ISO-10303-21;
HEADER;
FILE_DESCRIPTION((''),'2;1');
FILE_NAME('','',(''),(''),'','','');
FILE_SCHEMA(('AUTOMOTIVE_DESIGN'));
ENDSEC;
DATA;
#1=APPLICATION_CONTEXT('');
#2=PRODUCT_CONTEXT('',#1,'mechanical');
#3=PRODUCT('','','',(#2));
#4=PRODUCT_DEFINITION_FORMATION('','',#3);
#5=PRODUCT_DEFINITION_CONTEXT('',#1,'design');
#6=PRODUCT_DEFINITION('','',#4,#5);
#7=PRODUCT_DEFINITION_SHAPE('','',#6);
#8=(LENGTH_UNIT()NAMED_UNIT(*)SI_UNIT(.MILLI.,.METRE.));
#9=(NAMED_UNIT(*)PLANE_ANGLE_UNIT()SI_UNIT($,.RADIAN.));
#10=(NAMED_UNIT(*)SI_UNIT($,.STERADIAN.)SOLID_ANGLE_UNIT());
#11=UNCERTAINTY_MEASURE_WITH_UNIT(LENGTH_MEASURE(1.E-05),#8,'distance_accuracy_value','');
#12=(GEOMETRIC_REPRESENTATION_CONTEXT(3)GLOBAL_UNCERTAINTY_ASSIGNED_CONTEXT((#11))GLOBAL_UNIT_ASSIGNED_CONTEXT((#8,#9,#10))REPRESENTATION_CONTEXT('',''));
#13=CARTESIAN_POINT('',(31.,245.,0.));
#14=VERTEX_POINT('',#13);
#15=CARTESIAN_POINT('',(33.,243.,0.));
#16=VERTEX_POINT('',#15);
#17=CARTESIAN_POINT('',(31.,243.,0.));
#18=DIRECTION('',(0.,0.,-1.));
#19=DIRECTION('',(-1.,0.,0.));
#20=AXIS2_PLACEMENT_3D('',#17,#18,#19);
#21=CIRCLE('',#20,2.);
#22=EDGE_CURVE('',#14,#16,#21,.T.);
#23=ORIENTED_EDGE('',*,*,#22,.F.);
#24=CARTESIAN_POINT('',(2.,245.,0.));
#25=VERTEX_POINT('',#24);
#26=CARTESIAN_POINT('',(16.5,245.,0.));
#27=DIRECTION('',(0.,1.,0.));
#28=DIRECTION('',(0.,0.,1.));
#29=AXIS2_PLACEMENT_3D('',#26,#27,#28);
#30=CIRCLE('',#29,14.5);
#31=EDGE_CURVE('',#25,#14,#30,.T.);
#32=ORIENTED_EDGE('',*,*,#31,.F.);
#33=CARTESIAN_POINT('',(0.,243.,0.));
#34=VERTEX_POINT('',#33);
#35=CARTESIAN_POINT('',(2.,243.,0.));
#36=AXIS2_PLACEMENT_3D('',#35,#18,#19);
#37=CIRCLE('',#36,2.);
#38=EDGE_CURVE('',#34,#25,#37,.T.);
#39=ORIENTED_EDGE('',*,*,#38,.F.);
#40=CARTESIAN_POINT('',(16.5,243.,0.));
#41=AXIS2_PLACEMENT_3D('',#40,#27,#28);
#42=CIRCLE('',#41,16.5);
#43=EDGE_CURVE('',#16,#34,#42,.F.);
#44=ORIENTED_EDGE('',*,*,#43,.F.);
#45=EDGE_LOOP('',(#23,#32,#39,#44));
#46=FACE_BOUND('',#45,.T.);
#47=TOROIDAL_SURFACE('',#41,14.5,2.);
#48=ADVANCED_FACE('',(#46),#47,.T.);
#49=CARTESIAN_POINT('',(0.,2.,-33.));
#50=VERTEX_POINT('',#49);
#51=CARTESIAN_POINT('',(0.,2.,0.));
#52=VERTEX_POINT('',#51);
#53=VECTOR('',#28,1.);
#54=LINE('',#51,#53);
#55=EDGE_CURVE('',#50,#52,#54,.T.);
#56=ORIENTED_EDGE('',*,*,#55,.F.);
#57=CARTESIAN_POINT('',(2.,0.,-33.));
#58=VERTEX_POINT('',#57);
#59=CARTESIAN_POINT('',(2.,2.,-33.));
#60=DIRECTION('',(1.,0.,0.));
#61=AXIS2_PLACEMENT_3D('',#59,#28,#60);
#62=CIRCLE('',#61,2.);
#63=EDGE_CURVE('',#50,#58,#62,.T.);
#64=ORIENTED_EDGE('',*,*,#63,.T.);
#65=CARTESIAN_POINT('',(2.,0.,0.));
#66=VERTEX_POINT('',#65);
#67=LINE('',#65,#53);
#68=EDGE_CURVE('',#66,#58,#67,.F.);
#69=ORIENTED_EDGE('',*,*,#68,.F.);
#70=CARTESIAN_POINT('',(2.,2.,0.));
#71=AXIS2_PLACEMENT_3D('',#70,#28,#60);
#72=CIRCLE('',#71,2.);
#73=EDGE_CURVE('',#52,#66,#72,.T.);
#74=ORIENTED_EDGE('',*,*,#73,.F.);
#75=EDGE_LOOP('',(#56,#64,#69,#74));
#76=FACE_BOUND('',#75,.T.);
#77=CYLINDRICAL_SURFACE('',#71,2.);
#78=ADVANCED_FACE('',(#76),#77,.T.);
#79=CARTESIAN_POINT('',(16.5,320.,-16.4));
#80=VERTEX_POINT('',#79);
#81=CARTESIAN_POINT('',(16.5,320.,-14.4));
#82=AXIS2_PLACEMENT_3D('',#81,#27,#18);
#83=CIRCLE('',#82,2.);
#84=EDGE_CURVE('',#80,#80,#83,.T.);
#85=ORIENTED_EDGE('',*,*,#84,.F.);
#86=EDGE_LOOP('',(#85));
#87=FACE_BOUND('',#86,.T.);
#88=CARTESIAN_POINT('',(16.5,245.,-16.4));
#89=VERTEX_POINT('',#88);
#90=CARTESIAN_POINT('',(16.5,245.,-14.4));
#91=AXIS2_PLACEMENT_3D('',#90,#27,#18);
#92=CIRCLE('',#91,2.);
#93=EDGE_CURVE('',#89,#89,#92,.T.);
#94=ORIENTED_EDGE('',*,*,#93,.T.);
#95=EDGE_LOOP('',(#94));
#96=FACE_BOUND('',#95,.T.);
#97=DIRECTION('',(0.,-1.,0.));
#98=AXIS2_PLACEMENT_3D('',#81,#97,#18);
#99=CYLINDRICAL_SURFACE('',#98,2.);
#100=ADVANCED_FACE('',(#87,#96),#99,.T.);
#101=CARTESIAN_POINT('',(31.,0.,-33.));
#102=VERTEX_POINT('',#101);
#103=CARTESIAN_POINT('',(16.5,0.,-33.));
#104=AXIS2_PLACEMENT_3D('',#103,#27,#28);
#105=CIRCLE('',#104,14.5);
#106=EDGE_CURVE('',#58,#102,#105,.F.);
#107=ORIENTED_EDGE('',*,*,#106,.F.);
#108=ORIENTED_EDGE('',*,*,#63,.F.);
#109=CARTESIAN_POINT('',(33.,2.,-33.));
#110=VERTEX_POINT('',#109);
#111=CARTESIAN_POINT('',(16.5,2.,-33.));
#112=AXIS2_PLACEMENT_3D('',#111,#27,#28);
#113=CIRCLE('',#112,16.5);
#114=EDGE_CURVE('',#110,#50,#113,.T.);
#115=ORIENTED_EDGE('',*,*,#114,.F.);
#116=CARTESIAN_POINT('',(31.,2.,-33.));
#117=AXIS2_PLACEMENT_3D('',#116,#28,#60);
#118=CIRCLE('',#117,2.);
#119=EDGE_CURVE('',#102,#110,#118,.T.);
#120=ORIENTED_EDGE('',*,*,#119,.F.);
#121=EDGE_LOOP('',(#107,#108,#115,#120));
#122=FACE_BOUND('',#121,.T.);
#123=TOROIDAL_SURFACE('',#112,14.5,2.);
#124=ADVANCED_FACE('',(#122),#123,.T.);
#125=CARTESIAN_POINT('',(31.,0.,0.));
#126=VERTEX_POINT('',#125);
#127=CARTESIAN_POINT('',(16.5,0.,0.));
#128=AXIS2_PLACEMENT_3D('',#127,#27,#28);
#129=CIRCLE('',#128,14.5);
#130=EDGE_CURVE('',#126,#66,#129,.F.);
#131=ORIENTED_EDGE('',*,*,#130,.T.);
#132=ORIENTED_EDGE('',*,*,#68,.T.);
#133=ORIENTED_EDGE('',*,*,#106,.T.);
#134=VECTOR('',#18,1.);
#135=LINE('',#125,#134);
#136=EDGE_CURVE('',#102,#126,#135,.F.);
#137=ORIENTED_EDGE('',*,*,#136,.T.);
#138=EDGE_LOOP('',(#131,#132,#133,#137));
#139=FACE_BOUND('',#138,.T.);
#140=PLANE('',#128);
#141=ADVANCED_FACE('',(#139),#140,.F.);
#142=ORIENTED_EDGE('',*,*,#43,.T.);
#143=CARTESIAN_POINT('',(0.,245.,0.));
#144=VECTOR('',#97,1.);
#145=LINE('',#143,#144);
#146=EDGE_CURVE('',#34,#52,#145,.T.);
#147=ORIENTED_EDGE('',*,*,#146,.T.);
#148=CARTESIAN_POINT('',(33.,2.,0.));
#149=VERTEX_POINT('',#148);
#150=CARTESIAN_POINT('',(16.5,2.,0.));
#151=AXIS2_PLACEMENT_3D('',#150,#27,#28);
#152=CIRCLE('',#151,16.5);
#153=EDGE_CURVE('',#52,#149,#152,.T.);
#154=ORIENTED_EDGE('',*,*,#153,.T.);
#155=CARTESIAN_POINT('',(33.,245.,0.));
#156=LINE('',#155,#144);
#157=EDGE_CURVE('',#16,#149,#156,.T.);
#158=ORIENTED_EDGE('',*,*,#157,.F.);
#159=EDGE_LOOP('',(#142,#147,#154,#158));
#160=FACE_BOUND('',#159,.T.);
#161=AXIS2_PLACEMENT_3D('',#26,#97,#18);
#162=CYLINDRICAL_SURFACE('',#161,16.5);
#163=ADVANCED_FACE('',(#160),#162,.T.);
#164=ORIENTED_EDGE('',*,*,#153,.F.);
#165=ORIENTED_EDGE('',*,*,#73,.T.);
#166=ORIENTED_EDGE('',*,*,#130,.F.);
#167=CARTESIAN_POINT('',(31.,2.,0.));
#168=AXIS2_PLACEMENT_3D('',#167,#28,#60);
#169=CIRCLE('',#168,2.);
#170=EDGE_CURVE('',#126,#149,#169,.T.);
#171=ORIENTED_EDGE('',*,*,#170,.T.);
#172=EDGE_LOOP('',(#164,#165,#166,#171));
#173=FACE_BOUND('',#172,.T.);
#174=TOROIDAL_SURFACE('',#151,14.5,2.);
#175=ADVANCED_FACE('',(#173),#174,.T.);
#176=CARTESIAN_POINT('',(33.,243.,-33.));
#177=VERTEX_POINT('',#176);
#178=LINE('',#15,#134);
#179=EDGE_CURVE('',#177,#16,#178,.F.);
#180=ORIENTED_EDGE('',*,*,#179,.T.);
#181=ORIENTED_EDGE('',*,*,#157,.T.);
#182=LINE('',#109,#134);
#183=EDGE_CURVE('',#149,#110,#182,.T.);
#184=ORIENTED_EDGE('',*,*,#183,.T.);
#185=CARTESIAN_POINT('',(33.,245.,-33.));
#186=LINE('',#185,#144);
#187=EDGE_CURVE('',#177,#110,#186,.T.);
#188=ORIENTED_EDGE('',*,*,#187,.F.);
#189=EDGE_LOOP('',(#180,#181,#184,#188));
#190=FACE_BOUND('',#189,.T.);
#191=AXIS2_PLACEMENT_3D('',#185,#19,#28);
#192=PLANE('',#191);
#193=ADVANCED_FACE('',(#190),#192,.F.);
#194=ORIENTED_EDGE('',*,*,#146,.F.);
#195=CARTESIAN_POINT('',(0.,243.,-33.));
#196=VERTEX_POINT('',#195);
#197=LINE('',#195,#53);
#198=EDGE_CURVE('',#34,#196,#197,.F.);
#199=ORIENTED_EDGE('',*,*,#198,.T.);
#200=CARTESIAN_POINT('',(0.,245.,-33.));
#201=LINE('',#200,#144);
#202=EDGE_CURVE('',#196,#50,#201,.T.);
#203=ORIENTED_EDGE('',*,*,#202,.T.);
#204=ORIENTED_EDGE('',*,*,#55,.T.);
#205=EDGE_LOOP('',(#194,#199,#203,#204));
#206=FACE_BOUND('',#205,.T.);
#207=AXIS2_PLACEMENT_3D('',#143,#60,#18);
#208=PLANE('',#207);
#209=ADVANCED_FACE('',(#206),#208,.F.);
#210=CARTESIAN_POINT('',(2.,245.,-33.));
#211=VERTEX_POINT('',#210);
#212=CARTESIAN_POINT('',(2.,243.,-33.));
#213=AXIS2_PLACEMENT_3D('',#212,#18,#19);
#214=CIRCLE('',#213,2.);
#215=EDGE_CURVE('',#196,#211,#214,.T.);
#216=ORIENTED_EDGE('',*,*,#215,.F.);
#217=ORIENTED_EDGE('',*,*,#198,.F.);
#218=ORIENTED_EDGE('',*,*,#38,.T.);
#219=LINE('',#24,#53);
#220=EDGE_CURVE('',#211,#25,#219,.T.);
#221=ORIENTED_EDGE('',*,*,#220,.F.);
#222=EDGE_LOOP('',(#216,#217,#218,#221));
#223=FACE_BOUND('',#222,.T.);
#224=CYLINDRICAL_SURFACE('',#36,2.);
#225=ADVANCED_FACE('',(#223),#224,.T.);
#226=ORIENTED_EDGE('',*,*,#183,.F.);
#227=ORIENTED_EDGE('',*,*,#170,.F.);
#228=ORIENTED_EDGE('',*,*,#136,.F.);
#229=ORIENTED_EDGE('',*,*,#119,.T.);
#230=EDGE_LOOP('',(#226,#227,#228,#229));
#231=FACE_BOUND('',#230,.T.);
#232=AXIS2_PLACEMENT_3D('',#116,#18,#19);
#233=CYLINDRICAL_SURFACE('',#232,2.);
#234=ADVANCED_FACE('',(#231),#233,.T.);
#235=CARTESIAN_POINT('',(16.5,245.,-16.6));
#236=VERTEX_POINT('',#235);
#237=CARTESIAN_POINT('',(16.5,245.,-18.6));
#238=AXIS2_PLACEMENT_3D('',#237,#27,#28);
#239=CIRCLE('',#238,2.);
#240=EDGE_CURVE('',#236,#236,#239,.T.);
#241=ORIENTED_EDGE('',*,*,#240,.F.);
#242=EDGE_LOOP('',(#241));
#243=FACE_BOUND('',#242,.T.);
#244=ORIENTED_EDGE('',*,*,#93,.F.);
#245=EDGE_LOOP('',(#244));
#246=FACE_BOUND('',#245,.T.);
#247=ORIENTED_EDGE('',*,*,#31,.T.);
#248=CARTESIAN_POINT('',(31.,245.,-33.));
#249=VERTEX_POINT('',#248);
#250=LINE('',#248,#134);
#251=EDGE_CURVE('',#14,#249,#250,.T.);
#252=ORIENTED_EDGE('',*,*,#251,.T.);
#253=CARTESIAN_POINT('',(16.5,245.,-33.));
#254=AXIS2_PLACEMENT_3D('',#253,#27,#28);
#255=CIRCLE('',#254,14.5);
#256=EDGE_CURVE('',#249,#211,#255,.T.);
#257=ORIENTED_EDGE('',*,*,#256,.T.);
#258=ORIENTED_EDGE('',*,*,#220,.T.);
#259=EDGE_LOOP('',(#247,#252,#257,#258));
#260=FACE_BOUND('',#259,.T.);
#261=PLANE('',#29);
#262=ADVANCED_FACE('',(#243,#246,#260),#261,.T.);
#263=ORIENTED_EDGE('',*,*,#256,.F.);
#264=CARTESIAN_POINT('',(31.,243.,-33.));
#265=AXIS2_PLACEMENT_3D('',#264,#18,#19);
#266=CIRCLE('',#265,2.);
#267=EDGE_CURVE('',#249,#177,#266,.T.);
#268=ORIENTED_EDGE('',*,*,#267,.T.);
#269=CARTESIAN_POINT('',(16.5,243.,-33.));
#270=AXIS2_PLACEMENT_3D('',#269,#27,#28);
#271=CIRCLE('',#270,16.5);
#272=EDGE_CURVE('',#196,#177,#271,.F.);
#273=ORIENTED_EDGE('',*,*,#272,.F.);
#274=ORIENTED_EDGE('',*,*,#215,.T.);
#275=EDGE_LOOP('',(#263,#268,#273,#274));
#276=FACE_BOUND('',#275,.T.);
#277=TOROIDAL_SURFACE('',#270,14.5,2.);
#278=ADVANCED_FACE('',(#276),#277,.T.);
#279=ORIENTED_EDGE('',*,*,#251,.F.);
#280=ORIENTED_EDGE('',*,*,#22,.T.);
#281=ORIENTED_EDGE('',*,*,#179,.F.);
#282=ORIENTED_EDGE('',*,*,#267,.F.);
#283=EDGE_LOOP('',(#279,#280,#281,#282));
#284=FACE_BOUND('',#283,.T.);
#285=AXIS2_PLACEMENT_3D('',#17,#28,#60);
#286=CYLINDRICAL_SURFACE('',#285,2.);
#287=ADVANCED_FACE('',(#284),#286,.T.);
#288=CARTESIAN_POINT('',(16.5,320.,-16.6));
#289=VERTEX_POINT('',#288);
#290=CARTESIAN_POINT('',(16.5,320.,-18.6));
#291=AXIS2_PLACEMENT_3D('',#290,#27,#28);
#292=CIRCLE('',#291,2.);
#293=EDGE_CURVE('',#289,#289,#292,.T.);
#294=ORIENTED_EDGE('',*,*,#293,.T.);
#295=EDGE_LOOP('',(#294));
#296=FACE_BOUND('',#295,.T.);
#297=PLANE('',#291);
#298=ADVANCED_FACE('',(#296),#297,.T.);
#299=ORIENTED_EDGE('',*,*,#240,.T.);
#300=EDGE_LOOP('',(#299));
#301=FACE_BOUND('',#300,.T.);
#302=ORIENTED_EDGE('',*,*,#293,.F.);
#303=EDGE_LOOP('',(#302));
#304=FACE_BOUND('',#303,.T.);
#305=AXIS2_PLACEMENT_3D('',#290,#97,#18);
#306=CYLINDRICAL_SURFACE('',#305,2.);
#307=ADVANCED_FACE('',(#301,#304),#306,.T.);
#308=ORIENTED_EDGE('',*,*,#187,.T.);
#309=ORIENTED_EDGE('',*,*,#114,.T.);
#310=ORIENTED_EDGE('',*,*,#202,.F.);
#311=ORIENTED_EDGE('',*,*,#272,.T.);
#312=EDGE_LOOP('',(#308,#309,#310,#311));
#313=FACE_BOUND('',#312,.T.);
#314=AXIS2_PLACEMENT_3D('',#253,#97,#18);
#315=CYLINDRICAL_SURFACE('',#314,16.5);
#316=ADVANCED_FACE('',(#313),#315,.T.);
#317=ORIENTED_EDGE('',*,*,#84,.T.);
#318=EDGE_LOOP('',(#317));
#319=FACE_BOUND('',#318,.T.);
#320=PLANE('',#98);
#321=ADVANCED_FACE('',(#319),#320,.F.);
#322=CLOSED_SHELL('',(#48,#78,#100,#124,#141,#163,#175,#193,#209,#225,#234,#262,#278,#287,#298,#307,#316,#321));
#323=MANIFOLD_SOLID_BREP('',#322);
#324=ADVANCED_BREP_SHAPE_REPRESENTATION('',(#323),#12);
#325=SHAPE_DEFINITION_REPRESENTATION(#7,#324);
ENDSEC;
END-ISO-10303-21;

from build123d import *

# Parameters (mm, degrees)
EXTRUSION1_DEPTH = 245
CONG_1_R         = 2
ESQUISSE2_R      = 2
EXTRUSION2_DEPTH = 75


with BuildPart() as part:
    # Esquisse1 → Extrusion1 (new body)
    with BuildSketch(Plane(origin=(0, 0, 0), x_dir=(1, 0, 0), z_dir=(0, 1, 0))):
        with BuildLine():
            Line((0, 0), (0, 33))
            ThreePointArc((0, 33), (16.5, 49.5), (33, 33))
            Line((33, 33), (33, 0))
            ThreePointArc((33, 0), (16.5, -16.5), (0, 0))
        make_face()
    extrude(amount=EXTRUSION1_DEPTH)

    # Congé1
    cong_1_edges = [part.edges().sort_by_distance(p)[0] for p in [
        (16.5, 245, -49.5),
        (0, 245, -16.5),
        (16.5, 245, 16.5),
        (0, 0, -16.5),
        (16.5, 0, -49.5),
        (33, 0, -16.5),
        (16.5, 0, 16.5),
        (33, 245, -16.5),
    ]]
    fillet(cong_1_edges, radius=CONG_1_R)

    # Esquisse2 → Extrusion2 (add)
    with BuildSketch(Plane(origin=(0, 245, 0), x_dir=(1, 0, 0), z_dir=(0, 1, 0))):
        with Locations((16.5, 18.6)):
            Circle(ESQUISSE2_R)
        with Locations((16.5, 14.4)):
            Circle(ESQUISSE2_R)
    extrude(amount=EXTRUSION2_DEPTH)


solid = part.part
